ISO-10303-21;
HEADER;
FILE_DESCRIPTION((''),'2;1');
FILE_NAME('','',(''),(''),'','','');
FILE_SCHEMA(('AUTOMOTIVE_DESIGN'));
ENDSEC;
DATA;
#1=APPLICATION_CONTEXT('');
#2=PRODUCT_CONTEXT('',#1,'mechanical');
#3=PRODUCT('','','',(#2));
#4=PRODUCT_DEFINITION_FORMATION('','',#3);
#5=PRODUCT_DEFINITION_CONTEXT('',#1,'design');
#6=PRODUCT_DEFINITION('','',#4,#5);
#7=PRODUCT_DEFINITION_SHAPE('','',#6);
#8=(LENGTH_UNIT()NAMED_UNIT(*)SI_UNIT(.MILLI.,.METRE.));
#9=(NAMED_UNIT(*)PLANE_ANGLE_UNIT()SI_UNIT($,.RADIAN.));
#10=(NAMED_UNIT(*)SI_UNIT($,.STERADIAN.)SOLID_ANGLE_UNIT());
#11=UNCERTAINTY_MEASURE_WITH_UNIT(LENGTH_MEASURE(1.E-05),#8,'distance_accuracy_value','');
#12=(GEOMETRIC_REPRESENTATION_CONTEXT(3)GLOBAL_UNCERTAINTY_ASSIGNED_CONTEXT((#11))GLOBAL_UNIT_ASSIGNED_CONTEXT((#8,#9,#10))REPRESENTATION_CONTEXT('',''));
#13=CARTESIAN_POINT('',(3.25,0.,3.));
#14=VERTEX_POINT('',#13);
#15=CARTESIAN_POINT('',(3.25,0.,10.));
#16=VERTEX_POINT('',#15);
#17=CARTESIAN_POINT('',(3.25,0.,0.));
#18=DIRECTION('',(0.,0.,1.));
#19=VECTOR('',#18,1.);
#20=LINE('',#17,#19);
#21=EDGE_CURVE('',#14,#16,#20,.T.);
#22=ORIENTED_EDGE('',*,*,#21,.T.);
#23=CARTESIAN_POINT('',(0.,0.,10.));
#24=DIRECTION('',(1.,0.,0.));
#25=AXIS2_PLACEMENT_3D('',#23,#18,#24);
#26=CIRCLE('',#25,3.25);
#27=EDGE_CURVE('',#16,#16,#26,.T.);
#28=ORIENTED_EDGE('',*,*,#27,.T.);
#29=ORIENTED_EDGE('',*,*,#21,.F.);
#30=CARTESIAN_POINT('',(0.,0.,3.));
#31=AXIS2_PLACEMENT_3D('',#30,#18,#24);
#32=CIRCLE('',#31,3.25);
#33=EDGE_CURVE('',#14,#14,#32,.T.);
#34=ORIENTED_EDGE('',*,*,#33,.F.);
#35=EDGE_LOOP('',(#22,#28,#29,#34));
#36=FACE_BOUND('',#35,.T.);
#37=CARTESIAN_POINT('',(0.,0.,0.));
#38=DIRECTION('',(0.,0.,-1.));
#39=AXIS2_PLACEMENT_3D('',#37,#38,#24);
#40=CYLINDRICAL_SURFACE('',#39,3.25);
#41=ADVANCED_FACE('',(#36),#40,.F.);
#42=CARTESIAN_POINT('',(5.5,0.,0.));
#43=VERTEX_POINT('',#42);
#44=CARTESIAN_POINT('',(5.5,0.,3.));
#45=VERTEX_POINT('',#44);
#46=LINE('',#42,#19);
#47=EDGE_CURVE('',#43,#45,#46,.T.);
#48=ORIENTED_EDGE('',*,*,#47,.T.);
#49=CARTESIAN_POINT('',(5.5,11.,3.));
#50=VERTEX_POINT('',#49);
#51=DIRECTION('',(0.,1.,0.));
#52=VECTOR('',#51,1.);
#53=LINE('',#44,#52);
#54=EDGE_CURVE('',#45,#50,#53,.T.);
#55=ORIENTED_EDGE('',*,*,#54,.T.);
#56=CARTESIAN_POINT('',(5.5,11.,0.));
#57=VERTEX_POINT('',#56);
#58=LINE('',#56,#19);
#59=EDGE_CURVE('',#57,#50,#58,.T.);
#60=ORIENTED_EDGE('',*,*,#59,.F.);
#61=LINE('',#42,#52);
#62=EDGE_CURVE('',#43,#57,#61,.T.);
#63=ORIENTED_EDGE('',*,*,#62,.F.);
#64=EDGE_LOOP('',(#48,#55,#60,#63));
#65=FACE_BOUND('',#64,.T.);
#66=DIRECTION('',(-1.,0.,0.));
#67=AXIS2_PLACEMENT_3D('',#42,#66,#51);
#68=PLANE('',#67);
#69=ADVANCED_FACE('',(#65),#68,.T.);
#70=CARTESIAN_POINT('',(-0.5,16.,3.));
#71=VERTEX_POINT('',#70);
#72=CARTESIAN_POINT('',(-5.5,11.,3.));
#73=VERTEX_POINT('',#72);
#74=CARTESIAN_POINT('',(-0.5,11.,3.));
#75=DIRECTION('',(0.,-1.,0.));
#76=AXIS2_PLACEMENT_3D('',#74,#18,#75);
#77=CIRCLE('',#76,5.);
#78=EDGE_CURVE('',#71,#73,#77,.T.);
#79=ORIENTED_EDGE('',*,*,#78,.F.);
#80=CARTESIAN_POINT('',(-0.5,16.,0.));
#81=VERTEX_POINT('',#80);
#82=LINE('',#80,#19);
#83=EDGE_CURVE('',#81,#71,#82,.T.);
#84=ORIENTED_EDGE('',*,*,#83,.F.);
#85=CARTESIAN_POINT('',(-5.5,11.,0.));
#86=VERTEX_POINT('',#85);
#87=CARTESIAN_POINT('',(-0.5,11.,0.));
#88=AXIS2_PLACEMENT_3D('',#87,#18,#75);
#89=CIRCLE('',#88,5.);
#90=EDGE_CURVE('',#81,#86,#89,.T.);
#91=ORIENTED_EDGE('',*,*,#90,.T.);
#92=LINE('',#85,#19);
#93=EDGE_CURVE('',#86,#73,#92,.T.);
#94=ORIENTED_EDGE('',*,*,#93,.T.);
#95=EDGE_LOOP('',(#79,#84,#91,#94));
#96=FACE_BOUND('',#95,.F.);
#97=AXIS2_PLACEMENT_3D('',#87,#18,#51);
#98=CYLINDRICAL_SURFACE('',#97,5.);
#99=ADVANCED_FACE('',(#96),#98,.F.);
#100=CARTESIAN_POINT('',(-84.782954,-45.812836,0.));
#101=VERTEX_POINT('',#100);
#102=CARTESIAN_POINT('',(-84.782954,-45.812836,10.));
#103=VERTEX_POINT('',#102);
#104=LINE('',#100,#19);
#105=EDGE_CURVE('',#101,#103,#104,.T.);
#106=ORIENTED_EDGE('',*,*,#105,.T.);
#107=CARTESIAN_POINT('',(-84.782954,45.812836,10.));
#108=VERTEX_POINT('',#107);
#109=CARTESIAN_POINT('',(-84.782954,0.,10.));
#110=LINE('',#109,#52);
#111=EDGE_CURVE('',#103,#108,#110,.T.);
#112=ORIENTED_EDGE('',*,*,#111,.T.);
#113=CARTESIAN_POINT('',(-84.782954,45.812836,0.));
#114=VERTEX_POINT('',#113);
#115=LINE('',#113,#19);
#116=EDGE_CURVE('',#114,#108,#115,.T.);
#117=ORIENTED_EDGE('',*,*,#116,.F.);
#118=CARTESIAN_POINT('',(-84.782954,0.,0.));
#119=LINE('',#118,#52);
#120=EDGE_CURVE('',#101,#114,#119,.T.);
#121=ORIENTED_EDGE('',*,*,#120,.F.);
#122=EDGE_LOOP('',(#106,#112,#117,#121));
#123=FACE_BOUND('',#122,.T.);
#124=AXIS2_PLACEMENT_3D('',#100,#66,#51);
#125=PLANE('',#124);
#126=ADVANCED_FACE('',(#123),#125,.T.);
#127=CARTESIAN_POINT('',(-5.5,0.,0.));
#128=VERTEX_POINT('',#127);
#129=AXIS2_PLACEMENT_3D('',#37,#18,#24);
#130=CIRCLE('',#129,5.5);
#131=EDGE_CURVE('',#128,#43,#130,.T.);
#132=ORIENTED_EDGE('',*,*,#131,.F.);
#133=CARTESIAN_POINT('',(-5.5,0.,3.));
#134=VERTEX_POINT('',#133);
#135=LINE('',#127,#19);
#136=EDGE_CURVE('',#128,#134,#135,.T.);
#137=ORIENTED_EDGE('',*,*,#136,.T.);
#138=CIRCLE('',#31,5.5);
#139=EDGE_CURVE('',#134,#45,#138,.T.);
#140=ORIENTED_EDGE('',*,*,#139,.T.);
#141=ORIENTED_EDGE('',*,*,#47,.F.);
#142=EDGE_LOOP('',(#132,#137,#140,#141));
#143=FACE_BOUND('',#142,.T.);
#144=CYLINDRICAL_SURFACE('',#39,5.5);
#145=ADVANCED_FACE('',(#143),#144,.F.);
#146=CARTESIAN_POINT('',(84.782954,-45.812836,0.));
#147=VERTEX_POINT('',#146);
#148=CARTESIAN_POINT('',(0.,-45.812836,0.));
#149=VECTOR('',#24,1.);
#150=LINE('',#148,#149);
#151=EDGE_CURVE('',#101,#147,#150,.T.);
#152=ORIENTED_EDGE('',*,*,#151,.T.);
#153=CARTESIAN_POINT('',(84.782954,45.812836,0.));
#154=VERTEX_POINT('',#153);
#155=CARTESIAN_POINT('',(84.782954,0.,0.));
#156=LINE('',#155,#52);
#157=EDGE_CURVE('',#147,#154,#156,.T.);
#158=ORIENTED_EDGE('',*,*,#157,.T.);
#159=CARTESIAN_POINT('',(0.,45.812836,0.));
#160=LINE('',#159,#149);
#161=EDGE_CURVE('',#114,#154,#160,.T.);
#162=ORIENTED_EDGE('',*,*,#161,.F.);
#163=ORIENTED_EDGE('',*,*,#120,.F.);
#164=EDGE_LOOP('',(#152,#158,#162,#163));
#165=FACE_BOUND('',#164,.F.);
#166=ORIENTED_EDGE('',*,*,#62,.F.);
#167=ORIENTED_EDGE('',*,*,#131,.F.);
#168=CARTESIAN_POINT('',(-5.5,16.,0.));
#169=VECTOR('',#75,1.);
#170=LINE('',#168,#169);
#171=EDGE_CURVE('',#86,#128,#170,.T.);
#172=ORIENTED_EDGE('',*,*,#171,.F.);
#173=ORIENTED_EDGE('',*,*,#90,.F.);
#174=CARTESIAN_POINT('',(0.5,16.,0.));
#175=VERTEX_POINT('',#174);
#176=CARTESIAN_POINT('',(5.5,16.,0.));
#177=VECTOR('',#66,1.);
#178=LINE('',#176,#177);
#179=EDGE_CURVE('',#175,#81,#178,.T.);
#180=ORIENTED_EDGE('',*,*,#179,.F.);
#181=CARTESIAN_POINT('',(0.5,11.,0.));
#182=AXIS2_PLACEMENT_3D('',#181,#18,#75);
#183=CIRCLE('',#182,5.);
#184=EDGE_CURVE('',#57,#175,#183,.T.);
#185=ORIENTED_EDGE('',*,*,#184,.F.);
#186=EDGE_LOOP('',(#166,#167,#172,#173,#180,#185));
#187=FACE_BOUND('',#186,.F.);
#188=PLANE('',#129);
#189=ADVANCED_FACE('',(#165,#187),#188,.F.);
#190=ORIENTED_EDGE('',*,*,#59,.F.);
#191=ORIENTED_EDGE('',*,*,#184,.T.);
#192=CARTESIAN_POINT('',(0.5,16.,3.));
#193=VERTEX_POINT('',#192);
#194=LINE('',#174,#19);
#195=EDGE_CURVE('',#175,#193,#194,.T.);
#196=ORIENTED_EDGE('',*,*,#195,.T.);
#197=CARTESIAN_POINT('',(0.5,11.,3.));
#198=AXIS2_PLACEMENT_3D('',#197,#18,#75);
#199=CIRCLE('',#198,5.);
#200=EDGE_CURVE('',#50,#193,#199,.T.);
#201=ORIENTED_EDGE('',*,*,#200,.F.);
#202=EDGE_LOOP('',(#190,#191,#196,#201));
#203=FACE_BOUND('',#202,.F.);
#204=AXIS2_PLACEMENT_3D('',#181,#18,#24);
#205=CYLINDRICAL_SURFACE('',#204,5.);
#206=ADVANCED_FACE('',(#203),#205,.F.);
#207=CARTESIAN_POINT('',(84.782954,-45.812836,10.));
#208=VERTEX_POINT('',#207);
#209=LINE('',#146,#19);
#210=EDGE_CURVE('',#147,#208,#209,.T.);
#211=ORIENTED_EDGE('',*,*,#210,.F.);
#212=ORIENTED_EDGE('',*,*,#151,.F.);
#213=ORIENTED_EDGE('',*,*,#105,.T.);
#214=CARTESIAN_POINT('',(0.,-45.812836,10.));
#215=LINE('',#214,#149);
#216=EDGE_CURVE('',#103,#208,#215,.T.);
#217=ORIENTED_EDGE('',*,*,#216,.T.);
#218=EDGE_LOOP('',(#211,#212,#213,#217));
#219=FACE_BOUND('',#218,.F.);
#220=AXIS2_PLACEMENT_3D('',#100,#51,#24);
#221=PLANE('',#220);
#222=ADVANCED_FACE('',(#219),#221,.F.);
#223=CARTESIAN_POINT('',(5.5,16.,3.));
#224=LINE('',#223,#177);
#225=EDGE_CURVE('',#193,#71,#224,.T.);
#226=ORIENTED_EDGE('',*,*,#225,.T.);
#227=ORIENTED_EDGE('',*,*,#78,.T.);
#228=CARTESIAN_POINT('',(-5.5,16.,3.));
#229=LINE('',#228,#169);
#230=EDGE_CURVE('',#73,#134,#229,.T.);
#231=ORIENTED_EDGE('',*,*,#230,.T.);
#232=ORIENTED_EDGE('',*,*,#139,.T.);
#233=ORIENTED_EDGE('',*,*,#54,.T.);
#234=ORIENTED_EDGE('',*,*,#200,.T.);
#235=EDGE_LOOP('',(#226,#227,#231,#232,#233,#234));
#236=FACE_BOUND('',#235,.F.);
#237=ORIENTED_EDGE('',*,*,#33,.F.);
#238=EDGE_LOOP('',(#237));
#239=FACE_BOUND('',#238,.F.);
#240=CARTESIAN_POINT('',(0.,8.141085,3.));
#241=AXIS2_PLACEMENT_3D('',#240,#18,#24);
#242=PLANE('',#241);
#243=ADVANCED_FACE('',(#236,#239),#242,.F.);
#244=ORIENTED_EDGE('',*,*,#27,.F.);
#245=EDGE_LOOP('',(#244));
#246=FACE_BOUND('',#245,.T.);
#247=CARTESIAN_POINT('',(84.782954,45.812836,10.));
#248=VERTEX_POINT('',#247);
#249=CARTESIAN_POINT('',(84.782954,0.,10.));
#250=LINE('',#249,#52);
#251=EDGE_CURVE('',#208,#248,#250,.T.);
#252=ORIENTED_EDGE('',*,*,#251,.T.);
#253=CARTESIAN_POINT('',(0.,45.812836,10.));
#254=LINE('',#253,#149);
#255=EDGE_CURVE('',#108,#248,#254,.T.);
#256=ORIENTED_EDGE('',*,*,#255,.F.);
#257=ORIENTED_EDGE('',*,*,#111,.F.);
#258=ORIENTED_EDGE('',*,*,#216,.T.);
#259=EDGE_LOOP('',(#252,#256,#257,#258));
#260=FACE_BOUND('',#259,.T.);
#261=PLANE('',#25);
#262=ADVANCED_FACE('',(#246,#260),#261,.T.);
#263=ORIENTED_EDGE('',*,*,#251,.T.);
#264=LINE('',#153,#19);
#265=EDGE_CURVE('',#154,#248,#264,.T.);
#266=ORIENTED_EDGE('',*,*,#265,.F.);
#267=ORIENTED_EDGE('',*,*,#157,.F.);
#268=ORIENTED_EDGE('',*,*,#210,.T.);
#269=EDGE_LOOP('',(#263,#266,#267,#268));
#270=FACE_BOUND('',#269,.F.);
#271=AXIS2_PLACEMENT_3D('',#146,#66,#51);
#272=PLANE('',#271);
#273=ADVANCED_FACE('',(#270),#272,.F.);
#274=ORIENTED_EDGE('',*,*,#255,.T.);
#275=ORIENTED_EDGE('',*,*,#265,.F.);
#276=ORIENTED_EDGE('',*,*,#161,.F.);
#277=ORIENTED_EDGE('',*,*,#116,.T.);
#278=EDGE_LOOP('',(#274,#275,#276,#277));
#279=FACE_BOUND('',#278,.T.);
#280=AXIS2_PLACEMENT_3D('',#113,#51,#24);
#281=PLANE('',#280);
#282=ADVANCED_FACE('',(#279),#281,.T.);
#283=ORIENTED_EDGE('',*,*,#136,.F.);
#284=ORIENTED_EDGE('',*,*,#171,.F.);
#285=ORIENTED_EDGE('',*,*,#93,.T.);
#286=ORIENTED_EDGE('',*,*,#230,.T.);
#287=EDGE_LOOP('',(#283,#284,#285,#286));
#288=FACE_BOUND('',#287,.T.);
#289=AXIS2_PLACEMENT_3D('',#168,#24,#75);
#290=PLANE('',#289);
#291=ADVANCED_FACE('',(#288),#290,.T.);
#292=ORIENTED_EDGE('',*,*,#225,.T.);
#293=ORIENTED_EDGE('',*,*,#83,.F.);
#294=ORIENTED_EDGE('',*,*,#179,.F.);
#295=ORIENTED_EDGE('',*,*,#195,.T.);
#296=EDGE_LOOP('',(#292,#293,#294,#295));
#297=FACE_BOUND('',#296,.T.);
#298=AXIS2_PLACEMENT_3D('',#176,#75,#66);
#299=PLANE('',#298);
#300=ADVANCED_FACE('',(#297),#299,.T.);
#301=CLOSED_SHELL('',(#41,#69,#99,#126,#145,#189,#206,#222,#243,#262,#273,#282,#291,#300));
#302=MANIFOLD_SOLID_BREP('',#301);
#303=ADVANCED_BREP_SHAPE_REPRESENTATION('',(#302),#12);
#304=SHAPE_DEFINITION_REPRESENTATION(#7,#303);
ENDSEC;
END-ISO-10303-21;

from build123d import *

# Parameters (mm, degrees)
F0_W     = 169.565908
F0_H     = 91.625672
F0_R     = 3.25
F1_DEPTH = 10
F2_R     = 3.25
F3_DEPTH = 3
F4_R     = 5


with BuildPart() as f1:
    # F0 (on Top) → F1 (new body)
    with BuildSketch(Plane.XY):
        Rectangle(F0_W, F0_H)
        Circle(F0_R, mode=Mode.SUBTRACT)
    extrude(amount=F1_DEPTH)

    # F2 (on face) → F3 (cut)
    with BuildSketch(Plane.XY):
        with BuildLine():
            ThreePointArc((-5.5, 0), (0, 5.5), (5.5, 0))
            Line((5.5, 0), (5.5, 16))
            Line((5.5, 16), (0, 16))
            Line((0, 16), (-5.5, 16))
            Line((-5.5, 16), (-5.5, 0))
        make_face()
        with BuildLine():
            ThreePointArc((-5.5, 0), (0, -5.5), (5.5, 0))
            ThreePointArc((5.5, 0), (0, 5.5), (-5.5, 0))
        make_face()
        Circle(F2_R, mode=Mode.SUBTRACT)
    extrude(amount=F3_DEPTH, mode=Mode.SUBTRACT)

    # F4
    f4_edges = [f1.edges().sort_by_distance(p)[0] for p in [
        (5.5, 16, 1.5),
        (-5.5, 16, 1.5),
    ]]
    fillet(f4_edges, radius=F4_R)


solid = f1.part
